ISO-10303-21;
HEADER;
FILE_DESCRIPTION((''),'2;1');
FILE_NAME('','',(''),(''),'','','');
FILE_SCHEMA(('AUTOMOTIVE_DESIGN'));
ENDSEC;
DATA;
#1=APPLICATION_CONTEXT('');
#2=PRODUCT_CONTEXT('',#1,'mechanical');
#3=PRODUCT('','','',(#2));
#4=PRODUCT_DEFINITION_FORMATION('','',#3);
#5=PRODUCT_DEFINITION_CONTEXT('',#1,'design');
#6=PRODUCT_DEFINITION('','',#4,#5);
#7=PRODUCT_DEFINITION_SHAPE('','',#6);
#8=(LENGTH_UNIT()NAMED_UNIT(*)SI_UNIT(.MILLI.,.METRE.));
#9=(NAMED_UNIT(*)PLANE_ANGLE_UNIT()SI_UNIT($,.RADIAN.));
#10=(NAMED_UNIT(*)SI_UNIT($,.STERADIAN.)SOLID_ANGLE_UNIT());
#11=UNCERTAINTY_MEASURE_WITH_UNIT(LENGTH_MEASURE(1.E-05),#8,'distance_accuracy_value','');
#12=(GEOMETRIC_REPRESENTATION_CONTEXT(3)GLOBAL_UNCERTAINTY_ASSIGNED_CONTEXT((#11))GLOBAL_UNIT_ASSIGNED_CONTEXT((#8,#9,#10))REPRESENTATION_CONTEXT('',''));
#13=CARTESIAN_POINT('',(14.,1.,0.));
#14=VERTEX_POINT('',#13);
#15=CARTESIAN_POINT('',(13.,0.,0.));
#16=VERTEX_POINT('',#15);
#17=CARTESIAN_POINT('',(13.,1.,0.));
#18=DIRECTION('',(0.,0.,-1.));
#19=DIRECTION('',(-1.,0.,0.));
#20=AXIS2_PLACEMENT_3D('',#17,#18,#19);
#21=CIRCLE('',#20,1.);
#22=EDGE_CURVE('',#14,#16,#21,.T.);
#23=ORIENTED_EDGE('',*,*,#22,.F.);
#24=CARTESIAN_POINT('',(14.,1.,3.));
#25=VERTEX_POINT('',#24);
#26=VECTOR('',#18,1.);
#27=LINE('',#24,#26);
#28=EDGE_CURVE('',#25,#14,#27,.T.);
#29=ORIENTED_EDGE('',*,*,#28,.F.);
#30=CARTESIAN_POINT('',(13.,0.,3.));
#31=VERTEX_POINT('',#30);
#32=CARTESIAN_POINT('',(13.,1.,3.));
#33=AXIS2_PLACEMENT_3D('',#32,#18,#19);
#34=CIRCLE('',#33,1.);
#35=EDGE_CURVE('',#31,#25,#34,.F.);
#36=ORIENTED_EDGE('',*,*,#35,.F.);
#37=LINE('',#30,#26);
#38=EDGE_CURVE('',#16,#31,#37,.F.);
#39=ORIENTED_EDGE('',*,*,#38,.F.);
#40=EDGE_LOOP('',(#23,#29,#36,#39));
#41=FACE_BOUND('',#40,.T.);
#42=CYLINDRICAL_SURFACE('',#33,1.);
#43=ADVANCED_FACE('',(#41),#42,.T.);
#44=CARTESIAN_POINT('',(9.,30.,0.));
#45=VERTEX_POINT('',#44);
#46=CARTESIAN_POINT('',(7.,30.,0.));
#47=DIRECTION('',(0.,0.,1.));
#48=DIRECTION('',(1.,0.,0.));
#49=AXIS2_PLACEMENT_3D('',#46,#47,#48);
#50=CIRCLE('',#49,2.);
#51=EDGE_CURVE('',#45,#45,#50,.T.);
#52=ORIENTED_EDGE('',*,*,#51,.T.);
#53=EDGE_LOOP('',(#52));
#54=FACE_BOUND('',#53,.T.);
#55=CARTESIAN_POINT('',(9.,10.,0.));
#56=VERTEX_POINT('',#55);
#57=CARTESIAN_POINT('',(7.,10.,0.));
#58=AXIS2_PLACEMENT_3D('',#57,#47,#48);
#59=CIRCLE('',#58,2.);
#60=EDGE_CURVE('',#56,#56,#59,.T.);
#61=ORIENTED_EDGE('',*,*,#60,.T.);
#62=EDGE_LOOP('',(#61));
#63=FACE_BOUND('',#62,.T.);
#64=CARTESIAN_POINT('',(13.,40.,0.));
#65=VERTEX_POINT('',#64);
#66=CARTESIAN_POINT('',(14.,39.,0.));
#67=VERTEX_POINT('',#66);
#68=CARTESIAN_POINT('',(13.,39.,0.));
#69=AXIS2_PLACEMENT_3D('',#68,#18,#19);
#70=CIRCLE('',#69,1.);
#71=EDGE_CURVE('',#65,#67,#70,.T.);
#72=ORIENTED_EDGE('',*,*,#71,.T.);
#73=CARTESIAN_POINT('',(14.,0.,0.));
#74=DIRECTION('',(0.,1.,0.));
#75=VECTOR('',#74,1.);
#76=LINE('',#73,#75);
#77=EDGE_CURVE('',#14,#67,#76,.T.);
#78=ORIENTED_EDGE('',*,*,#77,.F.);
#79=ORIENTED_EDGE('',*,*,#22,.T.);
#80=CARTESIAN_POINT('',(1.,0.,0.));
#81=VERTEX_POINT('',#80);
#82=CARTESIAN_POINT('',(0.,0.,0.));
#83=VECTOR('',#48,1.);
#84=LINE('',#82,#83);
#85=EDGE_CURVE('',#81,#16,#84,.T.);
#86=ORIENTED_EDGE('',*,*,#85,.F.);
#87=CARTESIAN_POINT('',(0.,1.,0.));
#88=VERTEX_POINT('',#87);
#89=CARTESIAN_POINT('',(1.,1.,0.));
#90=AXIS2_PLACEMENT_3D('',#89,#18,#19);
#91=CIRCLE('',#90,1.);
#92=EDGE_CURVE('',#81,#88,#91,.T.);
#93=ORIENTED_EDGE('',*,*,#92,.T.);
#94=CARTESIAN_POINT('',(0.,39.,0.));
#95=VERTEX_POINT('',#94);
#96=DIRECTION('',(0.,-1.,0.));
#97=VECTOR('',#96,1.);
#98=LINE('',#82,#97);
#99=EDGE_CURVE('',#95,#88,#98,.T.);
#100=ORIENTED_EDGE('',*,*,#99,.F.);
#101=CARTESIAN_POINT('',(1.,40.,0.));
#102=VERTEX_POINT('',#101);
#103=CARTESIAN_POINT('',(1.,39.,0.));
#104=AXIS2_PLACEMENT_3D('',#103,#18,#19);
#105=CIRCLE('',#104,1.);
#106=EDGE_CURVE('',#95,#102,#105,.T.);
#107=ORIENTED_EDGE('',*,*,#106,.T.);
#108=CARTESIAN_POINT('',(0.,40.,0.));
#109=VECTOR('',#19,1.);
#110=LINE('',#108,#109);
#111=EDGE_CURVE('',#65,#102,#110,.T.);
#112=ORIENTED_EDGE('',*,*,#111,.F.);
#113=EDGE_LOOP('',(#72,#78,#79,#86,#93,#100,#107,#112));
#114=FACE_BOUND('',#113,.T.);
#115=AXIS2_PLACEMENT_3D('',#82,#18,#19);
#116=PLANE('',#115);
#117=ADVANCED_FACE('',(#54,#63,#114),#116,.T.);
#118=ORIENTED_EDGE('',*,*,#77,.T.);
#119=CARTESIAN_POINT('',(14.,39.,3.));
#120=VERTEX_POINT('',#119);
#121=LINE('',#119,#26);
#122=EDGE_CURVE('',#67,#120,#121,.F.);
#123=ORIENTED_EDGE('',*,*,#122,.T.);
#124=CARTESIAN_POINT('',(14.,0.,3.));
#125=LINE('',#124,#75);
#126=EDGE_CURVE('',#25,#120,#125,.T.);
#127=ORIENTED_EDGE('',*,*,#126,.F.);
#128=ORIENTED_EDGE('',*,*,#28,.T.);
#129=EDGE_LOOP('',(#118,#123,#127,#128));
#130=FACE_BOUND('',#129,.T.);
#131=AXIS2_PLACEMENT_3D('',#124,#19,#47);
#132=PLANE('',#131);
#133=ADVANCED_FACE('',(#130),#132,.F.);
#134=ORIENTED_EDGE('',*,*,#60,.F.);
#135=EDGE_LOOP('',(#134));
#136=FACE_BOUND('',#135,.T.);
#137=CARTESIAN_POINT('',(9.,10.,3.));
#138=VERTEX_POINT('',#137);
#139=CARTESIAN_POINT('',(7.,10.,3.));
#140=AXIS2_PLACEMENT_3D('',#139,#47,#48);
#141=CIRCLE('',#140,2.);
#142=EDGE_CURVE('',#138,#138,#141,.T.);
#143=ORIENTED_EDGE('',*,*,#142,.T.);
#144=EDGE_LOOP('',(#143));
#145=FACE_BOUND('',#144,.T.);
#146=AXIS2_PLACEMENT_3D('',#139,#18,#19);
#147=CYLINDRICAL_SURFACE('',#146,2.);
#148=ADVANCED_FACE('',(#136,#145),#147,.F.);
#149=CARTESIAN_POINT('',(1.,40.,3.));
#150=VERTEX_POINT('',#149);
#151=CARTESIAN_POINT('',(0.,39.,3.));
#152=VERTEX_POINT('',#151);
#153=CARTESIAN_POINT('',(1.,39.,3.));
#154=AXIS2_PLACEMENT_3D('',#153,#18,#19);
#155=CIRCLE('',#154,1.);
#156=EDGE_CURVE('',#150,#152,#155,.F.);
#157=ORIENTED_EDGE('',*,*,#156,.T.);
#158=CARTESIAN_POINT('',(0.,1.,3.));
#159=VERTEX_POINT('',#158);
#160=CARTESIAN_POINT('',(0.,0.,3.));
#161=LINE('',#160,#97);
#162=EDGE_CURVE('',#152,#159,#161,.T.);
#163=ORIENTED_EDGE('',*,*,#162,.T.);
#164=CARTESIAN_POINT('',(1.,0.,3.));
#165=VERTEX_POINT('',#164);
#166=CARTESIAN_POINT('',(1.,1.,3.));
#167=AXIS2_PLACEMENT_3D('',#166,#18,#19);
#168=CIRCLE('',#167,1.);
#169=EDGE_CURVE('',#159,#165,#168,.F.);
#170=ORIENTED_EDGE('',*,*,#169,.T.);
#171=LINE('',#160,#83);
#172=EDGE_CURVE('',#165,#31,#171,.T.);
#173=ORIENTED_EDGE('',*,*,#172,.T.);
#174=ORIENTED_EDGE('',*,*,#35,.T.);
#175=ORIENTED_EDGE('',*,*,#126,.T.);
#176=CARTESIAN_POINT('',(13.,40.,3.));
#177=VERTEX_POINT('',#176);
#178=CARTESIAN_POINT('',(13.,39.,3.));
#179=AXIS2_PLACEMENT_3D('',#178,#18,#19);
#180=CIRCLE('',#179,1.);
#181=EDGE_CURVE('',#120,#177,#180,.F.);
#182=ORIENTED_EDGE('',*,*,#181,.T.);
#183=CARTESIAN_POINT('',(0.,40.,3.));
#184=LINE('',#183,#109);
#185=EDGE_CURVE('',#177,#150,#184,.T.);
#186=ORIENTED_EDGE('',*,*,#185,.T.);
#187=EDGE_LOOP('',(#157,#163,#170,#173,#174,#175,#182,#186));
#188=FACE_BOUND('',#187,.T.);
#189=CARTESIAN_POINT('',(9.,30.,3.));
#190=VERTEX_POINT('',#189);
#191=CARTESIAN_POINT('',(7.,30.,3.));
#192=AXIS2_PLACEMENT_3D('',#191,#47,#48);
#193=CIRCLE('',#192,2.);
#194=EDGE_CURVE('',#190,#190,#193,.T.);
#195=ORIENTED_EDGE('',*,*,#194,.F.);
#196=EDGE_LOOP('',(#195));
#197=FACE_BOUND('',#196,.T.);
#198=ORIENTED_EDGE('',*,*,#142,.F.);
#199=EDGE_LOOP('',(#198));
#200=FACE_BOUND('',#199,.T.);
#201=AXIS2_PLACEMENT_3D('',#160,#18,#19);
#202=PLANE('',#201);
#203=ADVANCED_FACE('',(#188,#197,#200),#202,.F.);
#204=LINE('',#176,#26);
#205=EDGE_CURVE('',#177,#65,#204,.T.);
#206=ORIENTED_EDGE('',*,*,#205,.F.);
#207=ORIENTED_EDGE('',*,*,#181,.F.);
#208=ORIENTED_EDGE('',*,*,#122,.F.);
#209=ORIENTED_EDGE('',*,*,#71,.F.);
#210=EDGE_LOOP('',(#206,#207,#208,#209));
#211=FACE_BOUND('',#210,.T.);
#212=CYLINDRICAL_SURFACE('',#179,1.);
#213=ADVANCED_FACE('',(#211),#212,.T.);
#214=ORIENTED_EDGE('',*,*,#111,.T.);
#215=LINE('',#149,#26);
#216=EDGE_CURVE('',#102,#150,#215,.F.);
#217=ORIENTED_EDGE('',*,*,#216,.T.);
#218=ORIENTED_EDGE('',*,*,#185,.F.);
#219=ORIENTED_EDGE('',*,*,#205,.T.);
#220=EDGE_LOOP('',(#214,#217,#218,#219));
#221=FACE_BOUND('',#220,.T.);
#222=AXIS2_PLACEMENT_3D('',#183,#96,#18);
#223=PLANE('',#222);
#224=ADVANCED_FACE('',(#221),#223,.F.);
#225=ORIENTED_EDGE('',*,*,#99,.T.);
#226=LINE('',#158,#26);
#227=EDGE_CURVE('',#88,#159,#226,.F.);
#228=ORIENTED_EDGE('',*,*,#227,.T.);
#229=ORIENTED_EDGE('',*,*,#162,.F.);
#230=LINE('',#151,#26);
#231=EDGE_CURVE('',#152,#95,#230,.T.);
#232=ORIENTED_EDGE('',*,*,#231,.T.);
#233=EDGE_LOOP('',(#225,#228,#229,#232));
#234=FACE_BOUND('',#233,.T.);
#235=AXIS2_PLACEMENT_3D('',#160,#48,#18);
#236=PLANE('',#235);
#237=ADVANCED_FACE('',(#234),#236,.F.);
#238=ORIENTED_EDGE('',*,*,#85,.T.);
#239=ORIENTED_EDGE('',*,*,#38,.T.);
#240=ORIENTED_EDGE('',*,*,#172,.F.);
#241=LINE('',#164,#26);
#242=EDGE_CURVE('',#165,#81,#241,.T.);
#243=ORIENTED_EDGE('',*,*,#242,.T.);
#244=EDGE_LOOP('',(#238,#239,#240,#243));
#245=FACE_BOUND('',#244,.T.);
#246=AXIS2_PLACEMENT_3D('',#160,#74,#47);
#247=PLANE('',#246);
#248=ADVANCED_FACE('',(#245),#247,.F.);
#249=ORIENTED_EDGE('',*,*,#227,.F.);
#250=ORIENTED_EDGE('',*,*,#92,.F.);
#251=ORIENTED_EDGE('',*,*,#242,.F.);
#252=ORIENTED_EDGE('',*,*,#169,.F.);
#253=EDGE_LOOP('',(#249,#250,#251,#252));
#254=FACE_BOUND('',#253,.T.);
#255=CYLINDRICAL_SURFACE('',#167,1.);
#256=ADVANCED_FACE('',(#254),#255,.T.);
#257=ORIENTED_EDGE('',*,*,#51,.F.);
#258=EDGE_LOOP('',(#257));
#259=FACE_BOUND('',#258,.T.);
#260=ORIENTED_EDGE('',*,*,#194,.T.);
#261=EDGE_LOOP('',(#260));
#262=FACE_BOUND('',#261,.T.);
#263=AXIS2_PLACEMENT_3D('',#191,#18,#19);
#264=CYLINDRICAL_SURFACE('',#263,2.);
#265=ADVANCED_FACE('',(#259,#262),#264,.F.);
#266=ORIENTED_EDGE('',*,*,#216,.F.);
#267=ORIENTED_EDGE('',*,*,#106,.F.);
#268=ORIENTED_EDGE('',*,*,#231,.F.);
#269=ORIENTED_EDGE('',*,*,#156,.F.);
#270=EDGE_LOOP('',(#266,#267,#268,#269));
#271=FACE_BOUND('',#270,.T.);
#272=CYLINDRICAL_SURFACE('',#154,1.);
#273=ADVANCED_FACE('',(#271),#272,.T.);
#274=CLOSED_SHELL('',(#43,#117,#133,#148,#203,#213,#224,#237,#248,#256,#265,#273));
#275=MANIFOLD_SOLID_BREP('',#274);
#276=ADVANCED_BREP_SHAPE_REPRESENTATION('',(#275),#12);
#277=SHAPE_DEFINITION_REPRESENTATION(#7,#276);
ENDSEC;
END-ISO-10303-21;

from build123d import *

# Parameters (mm, degrees)
SKETCH1_W           = 14
SKETCH1_H           = 40
SKETCH1_R           = 2
BOSS_EXTRUDE1_DEPTH = 3
FILLET1_R           = 1


with BuildPart() as part:
    # Sketch1 → Boss-Extrude1 (new body)
    with BuildSketch(Plane.XY):
        with Locations((7, 20)):
            Rectangle(SKETCH1_W, SKETCH1_H)
        with Locations((7, 10)):
            Circle(SKETCH1_R, mode=Mode.SUBTRACT)
        with Locations((7, 30)):
            Circle(SKETCH1_R, mode=Mode.SUBTRACT)
    extrude(amount=BOSS_EXTRUDE1_DEPTH)

    # Fillet1
    fillet1_edges = [part.edges().sort_by_distance(p)[0] for p in [
        (0, 40, 1.5),
        (14, 40, 1.5),
        (14, 0, 1.5),
        (0, 0, 1.5),
    ]]
    fillet(fillet1_edges, radius=FILLET1_R)


solid = part.part
